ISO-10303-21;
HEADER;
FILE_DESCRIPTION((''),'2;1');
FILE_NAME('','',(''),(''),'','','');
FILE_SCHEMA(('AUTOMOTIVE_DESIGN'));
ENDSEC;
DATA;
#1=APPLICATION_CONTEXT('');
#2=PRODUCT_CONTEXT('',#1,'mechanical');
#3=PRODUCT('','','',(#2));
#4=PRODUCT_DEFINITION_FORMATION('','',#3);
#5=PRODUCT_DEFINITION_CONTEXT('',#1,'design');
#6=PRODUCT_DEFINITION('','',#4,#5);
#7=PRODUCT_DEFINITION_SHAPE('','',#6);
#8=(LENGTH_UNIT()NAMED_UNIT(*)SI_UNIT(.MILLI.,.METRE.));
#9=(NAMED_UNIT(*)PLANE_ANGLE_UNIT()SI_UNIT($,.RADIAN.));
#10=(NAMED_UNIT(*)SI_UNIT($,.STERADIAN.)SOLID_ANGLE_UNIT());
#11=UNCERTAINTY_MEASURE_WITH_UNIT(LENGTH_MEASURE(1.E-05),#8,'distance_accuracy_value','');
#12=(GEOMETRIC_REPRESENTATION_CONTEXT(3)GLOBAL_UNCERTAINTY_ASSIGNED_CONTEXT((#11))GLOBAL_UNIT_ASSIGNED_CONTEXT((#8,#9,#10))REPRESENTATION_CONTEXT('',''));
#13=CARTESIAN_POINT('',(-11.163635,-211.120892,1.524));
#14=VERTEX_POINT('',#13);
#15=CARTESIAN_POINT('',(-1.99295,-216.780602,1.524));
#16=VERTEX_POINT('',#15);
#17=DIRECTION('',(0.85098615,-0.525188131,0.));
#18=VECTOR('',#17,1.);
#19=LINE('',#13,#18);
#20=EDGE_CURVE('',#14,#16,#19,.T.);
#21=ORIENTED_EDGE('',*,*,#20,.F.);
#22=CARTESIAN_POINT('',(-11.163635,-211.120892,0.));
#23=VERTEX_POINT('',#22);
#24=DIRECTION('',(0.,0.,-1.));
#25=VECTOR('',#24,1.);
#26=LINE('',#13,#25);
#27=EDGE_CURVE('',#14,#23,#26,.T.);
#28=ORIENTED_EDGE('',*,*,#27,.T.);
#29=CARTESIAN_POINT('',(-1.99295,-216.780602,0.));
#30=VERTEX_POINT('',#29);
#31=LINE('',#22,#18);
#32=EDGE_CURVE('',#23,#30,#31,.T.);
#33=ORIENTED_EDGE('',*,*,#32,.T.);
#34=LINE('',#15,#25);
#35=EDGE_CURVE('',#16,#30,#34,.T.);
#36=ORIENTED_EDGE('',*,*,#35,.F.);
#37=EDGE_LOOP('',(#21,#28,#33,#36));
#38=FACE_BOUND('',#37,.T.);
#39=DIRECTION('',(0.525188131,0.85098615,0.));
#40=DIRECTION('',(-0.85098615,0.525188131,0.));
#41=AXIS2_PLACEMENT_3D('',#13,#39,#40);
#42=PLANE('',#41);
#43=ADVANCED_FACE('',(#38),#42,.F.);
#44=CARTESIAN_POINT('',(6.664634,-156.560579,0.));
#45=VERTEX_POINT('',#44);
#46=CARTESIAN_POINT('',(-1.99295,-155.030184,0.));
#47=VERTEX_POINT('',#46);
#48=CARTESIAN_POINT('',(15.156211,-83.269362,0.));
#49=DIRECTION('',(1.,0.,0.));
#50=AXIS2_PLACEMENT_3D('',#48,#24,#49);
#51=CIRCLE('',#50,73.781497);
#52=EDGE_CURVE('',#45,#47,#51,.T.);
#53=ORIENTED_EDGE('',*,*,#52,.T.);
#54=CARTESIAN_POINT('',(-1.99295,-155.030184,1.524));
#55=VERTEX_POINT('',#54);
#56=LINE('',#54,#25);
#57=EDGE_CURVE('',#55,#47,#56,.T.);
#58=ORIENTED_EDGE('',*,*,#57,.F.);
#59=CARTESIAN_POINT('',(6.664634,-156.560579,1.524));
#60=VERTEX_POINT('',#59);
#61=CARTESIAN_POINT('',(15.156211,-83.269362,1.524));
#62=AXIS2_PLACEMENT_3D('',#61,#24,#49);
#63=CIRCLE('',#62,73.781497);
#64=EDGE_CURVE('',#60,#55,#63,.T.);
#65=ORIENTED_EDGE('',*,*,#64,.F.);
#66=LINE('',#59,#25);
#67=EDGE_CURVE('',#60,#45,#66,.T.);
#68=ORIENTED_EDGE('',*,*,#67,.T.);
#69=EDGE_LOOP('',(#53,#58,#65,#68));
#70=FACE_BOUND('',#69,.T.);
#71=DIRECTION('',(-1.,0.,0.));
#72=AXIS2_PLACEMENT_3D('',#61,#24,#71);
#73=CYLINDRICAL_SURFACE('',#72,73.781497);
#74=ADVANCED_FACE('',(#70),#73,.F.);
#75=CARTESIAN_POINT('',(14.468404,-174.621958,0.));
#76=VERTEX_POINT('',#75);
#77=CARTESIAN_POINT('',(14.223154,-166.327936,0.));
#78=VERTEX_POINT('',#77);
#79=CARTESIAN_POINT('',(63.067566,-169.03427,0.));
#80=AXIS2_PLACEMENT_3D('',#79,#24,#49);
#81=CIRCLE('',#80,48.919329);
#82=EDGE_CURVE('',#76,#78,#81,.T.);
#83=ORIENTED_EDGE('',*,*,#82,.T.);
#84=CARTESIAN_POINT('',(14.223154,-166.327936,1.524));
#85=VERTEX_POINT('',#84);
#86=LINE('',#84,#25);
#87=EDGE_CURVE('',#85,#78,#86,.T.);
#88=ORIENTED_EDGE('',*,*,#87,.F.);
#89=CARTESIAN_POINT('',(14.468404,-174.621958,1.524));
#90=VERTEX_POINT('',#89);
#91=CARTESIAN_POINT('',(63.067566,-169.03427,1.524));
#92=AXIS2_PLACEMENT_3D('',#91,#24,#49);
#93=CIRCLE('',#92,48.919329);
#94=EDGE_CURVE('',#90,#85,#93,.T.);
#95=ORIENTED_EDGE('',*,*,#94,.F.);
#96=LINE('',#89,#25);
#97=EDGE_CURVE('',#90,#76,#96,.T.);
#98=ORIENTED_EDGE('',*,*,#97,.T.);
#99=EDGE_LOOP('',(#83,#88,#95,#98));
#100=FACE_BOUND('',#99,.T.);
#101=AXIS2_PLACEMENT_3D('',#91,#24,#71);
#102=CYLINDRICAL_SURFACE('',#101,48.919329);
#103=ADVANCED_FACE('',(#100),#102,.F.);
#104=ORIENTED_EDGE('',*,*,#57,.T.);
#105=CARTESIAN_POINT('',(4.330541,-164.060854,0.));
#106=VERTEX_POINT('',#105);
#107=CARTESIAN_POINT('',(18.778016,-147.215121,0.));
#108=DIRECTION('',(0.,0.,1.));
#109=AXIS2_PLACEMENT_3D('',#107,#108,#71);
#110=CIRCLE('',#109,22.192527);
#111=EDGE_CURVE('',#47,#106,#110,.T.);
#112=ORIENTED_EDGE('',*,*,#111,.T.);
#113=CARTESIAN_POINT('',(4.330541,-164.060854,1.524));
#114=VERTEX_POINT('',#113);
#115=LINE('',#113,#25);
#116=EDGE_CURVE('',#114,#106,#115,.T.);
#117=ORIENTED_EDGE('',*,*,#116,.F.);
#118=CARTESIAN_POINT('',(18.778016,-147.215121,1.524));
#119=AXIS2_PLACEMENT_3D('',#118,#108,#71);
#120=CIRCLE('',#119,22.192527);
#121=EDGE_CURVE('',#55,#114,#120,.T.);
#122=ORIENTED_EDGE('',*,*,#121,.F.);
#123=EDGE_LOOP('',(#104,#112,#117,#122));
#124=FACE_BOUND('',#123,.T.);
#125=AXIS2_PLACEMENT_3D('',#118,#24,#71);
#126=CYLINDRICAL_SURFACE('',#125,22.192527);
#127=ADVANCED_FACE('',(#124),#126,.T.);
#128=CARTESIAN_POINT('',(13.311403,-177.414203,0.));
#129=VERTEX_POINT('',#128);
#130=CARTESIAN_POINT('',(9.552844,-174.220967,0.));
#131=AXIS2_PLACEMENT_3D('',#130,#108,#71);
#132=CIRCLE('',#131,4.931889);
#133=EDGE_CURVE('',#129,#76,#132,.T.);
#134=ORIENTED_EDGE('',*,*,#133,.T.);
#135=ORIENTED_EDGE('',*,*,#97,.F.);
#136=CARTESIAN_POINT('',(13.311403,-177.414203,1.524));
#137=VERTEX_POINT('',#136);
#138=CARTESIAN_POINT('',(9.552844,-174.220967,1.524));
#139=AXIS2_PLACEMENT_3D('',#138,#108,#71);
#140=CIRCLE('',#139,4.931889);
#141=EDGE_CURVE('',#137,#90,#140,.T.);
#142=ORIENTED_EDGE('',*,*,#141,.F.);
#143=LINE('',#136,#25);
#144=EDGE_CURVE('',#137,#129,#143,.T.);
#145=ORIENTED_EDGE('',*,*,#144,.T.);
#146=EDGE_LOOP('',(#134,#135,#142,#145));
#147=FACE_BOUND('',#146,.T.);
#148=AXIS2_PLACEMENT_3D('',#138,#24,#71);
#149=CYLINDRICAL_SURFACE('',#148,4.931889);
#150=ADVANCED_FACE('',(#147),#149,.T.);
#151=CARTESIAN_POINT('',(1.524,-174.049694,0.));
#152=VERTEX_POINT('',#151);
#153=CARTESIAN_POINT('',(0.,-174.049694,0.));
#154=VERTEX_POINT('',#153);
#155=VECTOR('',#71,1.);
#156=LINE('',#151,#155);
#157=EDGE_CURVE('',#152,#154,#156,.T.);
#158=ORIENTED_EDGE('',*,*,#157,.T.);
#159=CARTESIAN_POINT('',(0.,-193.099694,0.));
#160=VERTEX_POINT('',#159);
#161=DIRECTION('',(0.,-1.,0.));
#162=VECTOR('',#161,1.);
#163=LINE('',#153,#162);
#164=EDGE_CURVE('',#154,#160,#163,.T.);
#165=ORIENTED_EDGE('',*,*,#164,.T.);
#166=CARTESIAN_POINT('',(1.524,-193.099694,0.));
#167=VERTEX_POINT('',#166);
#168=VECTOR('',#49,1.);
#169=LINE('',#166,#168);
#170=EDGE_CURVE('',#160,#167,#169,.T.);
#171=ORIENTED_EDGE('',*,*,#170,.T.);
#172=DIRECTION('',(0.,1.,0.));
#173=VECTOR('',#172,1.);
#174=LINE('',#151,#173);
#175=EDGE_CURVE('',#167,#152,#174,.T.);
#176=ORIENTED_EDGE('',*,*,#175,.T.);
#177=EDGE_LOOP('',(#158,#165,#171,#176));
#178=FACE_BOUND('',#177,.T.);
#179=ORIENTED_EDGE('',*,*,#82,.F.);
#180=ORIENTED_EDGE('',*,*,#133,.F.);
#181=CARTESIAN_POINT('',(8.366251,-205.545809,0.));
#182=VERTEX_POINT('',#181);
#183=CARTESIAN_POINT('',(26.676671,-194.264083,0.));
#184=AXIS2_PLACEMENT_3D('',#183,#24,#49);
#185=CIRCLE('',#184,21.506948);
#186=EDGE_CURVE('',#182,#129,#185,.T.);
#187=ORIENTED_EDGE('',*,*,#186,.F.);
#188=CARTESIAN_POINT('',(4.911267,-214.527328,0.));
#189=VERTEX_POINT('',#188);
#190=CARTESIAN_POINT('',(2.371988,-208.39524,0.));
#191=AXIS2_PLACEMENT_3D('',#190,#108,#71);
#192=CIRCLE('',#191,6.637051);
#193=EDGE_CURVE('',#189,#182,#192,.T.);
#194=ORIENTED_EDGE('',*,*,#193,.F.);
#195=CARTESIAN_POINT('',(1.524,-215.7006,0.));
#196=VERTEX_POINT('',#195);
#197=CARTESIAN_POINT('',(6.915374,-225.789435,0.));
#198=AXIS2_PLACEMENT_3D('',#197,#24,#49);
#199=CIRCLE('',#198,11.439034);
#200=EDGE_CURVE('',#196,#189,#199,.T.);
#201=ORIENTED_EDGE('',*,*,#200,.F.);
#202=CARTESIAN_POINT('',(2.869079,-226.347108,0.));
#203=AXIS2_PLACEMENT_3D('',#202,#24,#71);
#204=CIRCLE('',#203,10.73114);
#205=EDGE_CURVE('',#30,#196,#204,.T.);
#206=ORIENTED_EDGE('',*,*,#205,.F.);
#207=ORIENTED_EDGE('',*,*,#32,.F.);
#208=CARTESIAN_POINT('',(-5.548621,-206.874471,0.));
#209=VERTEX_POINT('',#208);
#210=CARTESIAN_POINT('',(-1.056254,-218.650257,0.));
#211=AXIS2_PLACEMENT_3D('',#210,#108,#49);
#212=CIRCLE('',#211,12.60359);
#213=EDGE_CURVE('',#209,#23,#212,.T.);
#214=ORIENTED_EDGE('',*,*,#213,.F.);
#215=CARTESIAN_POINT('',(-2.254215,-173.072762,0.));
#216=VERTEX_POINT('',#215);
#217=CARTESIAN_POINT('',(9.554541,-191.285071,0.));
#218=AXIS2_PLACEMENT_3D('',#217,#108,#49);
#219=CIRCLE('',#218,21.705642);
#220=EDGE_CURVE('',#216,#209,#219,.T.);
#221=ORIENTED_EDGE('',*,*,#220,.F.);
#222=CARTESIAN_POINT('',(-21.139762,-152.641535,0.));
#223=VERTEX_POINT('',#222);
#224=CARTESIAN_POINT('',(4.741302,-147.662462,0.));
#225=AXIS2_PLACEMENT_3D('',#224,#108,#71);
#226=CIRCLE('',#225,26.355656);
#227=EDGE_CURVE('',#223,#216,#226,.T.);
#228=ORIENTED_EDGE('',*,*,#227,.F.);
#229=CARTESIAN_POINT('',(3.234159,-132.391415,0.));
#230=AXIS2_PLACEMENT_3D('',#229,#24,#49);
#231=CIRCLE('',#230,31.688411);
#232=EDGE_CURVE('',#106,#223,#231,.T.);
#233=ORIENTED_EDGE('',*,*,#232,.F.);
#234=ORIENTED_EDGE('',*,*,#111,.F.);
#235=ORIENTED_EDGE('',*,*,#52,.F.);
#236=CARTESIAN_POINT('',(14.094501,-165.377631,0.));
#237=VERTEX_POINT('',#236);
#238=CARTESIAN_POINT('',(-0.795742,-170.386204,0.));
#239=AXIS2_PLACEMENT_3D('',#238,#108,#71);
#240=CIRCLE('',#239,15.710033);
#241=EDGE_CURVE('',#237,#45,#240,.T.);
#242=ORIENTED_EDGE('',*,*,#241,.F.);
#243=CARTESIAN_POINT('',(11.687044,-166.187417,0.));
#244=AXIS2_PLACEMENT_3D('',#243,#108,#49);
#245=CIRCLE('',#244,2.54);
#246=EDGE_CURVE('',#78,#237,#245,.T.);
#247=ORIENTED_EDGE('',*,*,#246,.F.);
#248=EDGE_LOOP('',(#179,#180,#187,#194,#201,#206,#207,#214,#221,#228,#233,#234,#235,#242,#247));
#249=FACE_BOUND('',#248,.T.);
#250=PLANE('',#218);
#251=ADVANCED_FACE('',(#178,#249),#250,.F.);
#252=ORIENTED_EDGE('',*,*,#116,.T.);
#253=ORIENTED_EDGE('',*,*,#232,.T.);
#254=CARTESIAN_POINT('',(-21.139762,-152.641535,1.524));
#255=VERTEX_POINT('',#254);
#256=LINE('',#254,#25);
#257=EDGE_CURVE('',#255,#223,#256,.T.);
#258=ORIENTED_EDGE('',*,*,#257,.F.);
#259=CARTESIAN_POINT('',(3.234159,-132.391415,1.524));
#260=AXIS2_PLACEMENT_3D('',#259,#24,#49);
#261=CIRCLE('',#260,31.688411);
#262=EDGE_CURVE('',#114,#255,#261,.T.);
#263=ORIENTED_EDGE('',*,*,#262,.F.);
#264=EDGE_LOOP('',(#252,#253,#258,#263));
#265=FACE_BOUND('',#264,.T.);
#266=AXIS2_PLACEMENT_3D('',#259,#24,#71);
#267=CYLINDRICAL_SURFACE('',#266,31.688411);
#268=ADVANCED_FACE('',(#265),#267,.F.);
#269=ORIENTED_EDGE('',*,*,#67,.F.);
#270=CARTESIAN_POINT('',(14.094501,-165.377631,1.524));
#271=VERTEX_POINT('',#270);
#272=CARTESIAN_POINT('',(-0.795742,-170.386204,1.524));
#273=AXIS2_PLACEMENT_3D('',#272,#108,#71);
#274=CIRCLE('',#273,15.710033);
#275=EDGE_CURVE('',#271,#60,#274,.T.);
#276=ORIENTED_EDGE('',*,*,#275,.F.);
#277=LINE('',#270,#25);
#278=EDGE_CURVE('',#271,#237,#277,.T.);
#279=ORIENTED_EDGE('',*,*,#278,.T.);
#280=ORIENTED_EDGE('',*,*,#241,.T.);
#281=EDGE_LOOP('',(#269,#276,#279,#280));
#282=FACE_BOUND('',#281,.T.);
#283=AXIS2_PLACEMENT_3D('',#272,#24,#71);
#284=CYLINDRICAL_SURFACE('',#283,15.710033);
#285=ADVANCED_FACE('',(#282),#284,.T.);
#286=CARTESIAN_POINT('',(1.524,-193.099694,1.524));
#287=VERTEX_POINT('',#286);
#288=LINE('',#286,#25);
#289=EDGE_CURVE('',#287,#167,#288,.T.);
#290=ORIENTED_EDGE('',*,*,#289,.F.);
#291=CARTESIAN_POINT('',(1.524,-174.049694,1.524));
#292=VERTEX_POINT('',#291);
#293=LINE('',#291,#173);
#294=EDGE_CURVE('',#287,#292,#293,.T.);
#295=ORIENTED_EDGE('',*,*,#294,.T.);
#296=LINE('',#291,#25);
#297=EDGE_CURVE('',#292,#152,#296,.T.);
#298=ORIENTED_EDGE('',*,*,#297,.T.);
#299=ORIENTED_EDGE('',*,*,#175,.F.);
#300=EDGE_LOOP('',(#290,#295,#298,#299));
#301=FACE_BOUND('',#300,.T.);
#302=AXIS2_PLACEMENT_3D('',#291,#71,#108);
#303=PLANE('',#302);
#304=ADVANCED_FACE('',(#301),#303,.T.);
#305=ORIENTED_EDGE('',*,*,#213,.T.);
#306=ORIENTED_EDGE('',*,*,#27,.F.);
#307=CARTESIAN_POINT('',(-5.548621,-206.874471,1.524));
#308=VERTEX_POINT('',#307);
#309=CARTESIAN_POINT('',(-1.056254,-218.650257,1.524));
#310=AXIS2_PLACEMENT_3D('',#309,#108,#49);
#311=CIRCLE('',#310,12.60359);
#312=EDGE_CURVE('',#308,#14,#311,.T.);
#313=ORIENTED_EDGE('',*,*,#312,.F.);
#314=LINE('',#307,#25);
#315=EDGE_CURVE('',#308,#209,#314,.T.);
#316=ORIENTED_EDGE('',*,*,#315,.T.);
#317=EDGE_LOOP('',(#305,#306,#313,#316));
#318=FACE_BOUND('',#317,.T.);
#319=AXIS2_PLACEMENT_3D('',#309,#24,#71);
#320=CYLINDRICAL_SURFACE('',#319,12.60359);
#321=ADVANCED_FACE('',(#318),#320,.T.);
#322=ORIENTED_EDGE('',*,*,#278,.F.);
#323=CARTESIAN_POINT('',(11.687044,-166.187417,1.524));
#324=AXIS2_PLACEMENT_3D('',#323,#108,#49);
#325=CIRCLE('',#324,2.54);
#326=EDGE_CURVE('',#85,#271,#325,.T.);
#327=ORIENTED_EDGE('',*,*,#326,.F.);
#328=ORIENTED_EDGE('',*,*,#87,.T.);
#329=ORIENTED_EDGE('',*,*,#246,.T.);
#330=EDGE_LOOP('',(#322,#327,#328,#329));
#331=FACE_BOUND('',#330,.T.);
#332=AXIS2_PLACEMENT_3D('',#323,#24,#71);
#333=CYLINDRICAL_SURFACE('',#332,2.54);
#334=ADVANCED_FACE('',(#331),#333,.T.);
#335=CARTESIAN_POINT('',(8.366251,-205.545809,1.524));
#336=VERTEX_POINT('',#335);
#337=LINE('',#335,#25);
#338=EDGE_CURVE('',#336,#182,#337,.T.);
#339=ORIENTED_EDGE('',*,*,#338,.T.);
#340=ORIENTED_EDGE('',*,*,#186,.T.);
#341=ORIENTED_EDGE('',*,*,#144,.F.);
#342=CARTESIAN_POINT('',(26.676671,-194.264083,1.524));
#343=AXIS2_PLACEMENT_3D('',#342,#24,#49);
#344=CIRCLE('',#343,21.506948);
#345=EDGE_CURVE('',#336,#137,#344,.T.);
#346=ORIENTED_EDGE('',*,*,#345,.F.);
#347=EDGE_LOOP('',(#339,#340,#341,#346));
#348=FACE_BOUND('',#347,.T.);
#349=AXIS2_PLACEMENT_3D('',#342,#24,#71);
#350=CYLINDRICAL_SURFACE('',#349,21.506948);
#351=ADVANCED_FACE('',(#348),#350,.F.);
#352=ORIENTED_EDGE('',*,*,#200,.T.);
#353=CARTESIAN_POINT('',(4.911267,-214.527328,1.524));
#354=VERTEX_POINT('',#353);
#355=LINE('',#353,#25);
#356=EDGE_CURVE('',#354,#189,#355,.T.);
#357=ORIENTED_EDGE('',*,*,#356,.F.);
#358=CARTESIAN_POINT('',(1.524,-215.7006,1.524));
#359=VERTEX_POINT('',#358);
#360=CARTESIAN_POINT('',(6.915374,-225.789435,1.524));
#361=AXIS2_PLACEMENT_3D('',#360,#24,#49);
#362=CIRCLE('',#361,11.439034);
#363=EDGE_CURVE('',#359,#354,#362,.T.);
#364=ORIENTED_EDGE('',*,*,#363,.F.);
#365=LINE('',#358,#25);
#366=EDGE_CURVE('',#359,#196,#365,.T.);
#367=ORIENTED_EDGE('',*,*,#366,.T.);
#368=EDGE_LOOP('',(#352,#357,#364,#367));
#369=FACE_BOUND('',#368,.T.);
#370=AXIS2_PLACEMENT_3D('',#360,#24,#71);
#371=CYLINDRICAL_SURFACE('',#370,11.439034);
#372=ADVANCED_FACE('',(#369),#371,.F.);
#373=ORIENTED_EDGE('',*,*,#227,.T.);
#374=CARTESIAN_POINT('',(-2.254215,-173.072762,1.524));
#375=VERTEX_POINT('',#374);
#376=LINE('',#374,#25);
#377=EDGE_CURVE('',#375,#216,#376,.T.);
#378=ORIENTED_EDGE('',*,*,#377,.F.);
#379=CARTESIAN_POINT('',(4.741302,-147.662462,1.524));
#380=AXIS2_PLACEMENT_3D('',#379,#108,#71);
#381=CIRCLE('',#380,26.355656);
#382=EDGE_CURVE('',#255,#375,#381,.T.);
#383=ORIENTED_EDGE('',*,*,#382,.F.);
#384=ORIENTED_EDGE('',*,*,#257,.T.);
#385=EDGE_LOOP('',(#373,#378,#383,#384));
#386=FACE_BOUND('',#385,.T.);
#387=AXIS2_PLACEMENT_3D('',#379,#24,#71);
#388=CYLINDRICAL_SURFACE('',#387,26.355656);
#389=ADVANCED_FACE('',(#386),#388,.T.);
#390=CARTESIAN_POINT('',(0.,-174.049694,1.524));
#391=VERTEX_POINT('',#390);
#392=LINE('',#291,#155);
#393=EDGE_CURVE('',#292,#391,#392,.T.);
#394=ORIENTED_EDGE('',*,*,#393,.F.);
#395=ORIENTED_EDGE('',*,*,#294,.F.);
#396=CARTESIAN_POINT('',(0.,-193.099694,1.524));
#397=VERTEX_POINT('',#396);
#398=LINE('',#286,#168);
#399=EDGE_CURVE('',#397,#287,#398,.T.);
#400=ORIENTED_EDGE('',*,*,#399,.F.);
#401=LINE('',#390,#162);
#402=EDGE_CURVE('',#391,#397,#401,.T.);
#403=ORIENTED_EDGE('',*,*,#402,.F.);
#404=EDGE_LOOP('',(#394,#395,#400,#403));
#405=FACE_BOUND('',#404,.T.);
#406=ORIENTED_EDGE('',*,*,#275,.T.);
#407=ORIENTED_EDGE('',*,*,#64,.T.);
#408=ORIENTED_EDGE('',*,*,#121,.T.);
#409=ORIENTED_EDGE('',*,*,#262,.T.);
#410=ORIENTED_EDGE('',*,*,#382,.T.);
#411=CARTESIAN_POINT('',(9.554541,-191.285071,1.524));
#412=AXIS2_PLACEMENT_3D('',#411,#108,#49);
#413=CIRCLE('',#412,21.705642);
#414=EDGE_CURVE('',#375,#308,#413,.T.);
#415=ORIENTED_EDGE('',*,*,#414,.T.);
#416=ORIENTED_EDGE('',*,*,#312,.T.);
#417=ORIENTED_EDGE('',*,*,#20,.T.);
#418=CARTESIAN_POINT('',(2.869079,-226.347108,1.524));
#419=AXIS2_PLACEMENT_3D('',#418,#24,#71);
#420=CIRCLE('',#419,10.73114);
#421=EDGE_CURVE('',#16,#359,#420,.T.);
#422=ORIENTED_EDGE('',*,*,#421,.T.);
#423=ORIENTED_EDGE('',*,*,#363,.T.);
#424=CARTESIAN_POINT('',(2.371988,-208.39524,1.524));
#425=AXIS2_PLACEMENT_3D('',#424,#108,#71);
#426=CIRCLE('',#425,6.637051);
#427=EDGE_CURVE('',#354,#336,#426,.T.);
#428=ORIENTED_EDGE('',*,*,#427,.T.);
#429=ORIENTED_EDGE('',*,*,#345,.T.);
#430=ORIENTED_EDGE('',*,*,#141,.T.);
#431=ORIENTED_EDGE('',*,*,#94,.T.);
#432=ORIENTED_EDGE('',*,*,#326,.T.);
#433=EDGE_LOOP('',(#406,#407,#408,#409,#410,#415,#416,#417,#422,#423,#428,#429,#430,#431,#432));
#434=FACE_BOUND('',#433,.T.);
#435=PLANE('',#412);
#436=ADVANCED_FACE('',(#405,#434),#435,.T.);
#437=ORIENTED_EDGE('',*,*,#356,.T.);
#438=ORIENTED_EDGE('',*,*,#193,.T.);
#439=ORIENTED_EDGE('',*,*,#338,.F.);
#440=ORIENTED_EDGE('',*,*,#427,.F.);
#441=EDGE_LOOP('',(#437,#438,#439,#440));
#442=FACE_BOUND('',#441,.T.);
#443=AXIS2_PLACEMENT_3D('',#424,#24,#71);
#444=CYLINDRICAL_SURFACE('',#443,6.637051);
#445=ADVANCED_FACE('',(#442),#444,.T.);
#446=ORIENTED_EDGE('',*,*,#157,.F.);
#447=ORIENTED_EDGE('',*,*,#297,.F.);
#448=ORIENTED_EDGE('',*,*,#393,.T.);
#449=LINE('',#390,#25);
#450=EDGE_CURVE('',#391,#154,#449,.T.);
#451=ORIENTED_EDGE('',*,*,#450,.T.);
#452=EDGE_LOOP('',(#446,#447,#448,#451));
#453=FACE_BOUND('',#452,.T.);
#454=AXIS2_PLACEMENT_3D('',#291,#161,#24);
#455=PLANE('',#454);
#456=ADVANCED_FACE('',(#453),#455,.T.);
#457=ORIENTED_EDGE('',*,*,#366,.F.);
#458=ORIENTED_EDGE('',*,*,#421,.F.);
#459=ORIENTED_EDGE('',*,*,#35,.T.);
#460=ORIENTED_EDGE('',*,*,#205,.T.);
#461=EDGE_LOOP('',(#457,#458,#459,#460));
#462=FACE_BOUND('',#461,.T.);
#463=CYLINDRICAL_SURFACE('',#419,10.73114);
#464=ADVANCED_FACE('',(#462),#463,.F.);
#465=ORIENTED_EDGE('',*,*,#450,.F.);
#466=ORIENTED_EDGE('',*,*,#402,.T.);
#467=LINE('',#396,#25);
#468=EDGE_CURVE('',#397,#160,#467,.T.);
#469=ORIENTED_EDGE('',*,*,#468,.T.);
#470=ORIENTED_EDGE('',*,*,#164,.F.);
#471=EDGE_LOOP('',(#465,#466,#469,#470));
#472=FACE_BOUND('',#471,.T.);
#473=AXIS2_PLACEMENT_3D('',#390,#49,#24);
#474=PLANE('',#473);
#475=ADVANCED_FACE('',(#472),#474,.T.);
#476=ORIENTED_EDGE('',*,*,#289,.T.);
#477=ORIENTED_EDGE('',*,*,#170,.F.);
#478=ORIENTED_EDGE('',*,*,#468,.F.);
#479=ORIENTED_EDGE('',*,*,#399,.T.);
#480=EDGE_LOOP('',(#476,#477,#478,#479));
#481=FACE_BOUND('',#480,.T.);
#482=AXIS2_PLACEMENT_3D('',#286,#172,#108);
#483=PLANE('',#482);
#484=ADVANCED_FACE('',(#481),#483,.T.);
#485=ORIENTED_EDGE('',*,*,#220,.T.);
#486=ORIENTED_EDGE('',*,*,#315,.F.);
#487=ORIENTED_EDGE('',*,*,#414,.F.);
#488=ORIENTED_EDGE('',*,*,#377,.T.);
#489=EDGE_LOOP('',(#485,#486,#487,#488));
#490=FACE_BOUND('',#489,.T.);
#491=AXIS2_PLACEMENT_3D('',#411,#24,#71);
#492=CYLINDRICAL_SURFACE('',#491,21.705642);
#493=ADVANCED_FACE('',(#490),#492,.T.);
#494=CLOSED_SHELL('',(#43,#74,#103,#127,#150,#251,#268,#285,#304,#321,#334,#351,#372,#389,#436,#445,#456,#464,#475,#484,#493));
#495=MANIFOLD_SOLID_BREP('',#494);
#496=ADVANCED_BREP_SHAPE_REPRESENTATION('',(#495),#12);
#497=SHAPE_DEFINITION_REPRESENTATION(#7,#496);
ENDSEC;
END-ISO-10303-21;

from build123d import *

# Parameters (mm, degrees)
SKETCH1_W           = 1.524
SKETCH1_H           = 19.05
BOSS_EXTRUDE1_DEPTH = 1.524


with BuildPart() as part:
    # Sketch1 → Boss-Extrude1 (new body)
    with BuildSketch(Plane.XY):
        with BuildLine():
            Line((-11.16363506, -211.120891743), (-1.992949981, -216.780601905))
            ThreePointArc((-1.992949981, -216.780601905), (-0.281103266, -216.088759304), (1.524, -215.700600116))
            ThreePointArc((1.524, -215.700600116), (3.171388391, -214.980453866), (4.911266579, -214.527328034))
            ThreePointArc((4.911266579, -214.527328034), (8.56652215, -210.778134694), (8.366250568, -205.545808702))
            ThreePointArc((8.366250568, -205.545808702), (5.494506116, -190.54054727), (13.311403321, -177.414203341))
            ThreePointArc((13.311403321, -177.414203341), (14.109075531, -176.108897248), (14.468404268, -174.621958174))
            ThreePointArc((14.468404268, -174.621958174), (14.169609027, -170.480156419), (14.223154403, -166.327936138))
            ThreePointArc((14.223154403, -166.327936138), (14.204082667, -165.84665661), (14.094500503, -165.377630529))
            ThreePointArc((14.094500503, -165.377630529), (11.21769373, -160.262840376), (6.664633993, -156.56057856))
            ThreePointArc((6.664633993, -156.56057856), (2.313026504, -155.924450691), (-1.992949981, -155.030183999))
            ThreePointArc((-1.992949981, -155.030183999), (0.599102478, -159.944431448), (4.330540862, -164.060853624))
            ThreePointArc((4.330540862, -164.060853624), (-9.729681531, -161.306709082), (-21.139761832, -152.641535487))
            ThreePointArc((-21.139761832, -152.641535487), (-14.612667937, -165.552248896), (-2.254215141, -173.07276217))
            ThreePointArc((-2.254215141, -173.07276217), (-12.048739338, -189.17955679), (-5.548621032, -206.874471292))
            ThreePointArc((-5.548621032, -206.874471292), (-8.65863408, -208.597679765), (-11.16363506, -211.120891743))
        make_face()
        with Locations((0.762, -183.574694423)):
            Rectangle(SKETCH1_W, SKETCH1_H, mode=Mode.SUBTRACT)
    extrude(amount=BOSS_EXTRUDE1_DEPTH)


solid = part.part
